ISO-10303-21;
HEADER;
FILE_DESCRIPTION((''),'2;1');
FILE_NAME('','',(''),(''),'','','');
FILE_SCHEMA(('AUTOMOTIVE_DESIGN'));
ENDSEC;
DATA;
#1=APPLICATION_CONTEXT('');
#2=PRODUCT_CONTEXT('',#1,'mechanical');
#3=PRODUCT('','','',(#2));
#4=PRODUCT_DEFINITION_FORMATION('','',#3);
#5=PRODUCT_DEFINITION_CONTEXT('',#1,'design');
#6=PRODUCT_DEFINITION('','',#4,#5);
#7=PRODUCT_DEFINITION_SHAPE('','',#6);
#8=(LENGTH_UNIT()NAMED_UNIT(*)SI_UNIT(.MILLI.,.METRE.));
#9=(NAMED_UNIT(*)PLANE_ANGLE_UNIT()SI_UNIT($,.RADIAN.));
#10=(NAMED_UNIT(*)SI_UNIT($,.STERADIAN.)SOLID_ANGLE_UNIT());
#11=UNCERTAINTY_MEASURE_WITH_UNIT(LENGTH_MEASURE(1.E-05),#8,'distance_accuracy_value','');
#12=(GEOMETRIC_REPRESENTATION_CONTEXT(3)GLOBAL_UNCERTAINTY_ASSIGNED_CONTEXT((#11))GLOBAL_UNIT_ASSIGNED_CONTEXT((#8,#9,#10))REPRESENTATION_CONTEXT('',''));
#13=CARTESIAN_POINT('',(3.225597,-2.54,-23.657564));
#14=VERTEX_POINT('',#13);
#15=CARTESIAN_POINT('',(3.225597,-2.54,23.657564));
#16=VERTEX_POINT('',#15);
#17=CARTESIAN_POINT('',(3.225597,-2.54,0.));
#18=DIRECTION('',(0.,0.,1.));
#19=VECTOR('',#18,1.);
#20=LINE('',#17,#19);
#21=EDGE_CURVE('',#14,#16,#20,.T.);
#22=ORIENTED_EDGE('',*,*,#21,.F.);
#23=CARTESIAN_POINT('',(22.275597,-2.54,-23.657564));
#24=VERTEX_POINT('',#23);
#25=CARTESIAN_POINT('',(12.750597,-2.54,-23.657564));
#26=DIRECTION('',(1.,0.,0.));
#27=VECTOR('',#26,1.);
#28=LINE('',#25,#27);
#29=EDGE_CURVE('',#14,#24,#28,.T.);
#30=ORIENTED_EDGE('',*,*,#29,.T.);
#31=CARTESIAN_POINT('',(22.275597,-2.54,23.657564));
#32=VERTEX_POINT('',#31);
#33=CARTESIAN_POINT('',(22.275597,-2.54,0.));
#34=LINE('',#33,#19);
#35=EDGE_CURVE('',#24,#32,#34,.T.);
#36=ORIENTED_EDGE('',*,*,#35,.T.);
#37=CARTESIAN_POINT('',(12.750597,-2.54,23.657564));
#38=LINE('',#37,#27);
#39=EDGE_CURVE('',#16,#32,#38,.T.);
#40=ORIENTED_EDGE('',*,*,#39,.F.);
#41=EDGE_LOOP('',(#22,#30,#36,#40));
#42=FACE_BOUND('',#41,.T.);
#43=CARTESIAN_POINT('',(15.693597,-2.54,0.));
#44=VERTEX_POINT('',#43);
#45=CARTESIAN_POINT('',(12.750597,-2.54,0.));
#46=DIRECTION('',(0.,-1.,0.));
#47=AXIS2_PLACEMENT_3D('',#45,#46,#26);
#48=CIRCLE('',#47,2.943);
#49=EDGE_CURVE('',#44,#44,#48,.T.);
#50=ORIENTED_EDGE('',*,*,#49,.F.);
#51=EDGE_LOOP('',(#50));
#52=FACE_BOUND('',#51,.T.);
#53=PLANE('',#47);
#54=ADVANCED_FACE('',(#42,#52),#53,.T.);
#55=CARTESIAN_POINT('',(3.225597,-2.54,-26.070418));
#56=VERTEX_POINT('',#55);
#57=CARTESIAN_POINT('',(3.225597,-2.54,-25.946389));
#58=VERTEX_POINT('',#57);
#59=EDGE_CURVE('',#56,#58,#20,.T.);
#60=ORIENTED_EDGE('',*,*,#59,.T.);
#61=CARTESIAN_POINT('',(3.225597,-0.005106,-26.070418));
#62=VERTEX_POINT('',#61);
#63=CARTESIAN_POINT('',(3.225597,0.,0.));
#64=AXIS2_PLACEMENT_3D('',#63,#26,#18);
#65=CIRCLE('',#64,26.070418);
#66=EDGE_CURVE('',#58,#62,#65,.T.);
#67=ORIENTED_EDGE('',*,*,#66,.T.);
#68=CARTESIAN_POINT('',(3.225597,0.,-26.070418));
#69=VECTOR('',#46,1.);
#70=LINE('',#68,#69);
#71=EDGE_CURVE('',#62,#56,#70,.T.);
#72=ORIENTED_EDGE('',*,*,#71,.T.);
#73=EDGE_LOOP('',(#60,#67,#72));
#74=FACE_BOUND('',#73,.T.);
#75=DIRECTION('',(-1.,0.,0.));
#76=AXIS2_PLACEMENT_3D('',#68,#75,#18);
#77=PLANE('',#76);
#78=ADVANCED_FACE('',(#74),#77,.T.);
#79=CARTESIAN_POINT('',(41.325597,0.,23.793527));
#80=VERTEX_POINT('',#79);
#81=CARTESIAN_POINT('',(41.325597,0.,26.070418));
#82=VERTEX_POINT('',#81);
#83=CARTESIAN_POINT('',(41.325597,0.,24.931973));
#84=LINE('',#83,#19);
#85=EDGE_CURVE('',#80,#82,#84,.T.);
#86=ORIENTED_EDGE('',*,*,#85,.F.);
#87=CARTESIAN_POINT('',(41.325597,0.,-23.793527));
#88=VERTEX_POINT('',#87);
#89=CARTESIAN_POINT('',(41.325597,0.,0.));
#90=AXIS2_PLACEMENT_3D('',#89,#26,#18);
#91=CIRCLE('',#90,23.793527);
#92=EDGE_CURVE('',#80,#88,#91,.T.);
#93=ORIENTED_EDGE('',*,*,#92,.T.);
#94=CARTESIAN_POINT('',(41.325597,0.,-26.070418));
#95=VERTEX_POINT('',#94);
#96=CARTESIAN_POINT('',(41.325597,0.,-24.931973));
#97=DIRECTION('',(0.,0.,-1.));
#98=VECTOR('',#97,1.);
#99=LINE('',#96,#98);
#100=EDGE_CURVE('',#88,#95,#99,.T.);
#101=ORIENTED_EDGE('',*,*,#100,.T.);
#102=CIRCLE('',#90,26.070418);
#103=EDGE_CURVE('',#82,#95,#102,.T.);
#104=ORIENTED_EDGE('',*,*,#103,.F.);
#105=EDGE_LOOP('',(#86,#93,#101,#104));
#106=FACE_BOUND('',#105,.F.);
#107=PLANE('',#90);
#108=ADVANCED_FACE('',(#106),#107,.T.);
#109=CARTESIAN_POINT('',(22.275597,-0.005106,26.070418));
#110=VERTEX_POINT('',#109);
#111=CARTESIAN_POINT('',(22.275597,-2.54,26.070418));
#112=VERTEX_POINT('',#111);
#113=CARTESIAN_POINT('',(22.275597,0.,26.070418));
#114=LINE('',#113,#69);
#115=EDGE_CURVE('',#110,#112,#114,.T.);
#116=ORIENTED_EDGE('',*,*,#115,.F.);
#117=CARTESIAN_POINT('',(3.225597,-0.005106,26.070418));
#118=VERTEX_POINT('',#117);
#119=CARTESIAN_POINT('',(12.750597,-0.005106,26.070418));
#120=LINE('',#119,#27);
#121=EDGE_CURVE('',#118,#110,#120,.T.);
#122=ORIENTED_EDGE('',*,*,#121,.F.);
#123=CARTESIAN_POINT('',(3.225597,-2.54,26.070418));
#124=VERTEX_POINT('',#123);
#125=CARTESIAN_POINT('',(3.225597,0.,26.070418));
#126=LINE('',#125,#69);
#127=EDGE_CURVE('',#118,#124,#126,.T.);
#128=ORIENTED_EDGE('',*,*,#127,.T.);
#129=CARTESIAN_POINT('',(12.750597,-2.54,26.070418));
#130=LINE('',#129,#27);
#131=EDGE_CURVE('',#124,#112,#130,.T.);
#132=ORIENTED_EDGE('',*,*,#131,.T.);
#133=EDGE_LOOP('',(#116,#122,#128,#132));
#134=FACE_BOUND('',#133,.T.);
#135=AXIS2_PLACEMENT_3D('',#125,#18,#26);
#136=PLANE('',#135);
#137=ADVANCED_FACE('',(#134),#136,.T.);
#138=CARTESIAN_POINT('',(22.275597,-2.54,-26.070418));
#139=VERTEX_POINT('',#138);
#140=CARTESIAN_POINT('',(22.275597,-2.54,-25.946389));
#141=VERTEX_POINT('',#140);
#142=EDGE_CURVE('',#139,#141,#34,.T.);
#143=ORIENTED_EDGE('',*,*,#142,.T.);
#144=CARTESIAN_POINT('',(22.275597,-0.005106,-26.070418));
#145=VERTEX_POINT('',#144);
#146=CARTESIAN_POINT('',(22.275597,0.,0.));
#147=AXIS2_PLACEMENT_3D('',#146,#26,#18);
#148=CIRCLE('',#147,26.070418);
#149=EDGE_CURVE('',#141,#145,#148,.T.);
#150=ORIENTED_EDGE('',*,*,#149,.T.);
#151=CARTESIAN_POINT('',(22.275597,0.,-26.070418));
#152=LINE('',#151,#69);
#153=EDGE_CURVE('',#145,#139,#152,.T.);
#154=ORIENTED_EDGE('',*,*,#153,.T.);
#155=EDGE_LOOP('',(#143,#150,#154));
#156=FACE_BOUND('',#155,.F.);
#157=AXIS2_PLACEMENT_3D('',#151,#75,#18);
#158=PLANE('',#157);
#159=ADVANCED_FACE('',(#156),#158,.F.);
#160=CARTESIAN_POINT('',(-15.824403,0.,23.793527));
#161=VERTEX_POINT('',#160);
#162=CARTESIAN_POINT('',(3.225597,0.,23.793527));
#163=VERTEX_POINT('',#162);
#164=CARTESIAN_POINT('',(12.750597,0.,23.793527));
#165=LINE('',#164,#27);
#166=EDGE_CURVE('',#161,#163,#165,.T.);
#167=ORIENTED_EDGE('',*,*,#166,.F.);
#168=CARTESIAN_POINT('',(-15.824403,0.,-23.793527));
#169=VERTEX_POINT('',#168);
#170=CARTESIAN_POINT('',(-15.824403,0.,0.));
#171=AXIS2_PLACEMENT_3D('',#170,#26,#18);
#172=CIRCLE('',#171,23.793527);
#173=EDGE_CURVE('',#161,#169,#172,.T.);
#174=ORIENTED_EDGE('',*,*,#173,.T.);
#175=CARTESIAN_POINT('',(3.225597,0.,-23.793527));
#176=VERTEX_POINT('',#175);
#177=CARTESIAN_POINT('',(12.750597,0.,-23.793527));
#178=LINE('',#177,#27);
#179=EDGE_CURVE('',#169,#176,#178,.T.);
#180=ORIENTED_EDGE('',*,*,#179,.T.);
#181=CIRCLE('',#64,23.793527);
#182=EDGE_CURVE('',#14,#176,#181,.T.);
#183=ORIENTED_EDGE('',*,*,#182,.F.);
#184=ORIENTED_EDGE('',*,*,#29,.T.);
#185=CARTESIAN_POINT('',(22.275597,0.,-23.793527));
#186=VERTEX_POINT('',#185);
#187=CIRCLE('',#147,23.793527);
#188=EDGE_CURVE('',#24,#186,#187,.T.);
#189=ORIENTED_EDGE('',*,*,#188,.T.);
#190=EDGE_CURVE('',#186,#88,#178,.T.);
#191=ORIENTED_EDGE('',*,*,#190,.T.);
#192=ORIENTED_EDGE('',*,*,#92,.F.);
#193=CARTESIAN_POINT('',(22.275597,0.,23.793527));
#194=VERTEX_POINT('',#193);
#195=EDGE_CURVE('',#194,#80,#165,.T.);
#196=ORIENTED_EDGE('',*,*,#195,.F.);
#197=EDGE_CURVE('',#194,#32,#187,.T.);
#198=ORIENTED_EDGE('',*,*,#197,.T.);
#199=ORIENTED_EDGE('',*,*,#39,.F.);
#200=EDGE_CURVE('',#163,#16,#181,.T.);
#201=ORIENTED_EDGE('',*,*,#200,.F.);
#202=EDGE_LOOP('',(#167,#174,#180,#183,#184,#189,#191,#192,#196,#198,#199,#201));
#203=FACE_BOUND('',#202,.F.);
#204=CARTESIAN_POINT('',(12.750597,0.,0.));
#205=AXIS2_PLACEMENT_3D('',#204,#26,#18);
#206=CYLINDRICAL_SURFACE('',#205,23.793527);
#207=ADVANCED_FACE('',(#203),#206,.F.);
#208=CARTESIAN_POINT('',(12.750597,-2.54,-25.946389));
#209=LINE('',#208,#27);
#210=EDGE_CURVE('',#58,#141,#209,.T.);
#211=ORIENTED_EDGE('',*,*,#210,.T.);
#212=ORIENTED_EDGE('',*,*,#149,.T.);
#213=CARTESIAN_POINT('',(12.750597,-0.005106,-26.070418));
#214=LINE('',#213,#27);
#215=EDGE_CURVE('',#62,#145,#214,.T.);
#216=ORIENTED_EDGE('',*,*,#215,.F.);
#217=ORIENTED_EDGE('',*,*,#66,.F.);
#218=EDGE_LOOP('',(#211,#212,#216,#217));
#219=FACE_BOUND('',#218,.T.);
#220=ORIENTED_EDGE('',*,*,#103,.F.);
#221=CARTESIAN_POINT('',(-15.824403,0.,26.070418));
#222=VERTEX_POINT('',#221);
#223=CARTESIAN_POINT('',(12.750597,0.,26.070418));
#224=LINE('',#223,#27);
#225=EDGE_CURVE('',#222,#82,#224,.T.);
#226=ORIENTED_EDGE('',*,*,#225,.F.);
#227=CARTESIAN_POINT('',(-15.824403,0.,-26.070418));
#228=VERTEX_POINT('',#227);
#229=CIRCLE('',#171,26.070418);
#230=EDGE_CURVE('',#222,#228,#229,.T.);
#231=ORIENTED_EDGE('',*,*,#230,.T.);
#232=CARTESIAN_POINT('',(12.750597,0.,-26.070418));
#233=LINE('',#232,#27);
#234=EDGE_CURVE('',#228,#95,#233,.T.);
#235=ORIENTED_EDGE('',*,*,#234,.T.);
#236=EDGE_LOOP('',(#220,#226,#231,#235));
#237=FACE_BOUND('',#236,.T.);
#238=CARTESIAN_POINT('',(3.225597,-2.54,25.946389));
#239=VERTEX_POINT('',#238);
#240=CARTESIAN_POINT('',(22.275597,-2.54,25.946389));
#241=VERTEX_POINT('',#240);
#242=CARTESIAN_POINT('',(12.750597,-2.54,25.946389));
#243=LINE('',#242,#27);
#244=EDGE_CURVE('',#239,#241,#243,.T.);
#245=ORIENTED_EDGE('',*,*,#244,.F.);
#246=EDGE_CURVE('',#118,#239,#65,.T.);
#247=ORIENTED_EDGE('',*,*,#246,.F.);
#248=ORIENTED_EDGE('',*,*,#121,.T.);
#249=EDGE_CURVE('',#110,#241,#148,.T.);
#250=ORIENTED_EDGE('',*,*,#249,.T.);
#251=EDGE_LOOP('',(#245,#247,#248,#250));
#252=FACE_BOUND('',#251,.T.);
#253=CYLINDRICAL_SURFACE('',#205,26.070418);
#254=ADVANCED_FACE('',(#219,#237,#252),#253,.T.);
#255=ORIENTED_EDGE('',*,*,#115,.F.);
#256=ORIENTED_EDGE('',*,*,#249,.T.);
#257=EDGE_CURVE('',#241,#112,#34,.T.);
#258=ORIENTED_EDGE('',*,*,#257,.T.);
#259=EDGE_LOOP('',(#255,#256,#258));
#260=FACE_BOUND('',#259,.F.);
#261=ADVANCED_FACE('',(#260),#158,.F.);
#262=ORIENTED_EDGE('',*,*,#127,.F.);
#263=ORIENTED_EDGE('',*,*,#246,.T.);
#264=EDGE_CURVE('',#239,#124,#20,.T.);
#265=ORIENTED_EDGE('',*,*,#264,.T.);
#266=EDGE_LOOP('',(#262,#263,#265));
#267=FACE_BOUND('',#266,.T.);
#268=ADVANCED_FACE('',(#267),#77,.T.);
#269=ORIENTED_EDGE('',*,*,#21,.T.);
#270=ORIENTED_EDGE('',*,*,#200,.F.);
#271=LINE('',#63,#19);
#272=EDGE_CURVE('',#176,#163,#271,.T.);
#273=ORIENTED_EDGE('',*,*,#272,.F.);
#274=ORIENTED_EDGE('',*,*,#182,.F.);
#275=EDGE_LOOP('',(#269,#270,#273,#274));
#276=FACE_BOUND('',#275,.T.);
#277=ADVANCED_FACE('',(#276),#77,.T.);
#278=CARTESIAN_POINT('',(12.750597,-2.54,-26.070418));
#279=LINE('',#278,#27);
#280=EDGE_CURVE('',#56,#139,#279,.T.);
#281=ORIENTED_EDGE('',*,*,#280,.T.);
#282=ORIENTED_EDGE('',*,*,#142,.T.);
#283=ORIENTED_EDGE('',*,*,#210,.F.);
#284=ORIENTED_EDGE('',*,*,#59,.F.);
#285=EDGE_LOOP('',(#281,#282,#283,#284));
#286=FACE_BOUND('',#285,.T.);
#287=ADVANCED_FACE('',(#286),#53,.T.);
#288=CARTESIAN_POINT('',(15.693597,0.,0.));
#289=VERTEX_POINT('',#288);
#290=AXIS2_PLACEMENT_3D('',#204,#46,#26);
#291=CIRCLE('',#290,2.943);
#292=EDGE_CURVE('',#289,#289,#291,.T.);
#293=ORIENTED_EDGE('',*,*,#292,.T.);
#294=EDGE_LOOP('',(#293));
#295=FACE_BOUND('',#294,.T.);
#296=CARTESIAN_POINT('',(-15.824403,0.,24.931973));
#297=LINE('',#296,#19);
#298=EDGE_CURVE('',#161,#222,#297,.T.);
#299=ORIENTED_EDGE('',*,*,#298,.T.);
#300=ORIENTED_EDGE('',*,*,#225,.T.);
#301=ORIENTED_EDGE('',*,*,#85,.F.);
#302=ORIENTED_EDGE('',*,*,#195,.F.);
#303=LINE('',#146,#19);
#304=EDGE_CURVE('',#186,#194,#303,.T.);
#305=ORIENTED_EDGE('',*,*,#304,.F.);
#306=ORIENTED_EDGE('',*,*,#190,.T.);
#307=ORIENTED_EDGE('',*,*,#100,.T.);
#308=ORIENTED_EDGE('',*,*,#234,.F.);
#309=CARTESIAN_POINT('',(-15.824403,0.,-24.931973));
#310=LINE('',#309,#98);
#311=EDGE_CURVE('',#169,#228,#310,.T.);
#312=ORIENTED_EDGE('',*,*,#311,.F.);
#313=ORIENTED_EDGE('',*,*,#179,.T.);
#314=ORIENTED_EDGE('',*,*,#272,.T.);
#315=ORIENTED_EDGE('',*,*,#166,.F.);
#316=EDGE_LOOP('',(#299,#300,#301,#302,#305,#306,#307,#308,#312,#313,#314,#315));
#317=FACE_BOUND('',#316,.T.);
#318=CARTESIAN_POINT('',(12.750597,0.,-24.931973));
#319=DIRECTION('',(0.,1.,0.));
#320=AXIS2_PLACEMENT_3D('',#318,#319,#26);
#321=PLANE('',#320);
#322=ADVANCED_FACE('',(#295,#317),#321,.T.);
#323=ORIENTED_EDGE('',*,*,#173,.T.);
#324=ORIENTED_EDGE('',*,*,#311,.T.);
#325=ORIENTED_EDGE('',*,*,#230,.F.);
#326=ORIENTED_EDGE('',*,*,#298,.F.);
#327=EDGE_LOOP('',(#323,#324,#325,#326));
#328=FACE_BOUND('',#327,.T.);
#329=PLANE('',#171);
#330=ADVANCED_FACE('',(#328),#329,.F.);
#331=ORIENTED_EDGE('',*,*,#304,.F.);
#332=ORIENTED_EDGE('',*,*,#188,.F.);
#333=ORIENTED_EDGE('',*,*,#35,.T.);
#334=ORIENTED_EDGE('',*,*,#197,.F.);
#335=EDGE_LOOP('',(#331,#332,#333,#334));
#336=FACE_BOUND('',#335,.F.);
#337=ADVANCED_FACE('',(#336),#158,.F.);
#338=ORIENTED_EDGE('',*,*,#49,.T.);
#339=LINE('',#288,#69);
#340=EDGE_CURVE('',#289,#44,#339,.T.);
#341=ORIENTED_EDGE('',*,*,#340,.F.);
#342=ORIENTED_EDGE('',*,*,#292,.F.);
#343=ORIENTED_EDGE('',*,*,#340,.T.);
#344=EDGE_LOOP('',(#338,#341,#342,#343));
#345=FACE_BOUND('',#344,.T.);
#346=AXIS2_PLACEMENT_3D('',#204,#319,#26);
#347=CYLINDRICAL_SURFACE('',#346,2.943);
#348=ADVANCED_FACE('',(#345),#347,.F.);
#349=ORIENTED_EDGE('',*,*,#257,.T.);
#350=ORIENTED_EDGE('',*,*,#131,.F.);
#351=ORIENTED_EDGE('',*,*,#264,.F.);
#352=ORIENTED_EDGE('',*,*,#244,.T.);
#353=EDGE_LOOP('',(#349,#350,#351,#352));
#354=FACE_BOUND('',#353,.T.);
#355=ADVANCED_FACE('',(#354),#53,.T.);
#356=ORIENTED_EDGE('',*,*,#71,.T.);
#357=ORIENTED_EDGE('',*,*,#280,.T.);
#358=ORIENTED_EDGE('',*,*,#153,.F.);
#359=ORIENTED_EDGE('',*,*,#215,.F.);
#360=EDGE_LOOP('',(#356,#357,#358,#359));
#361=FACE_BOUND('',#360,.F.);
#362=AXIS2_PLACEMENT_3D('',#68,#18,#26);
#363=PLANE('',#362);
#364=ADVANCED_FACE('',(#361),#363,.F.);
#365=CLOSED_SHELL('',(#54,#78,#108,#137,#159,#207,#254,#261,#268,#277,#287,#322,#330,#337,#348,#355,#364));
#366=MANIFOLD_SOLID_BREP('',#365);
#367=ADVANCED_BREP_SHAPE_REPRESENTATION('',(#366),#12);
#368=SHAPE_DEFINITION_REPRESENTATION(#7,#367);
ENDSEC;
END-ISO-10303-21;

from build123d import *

# Parameters (mm, degrees)
F0_W     = 57.15
F0_H     = 2.276891
F1_ANGLE = 180
F2_W     = 19.05
F2_H     = 52.140836
F2_R     = 2.943
F3_DEPTH = 2.54


with BuildPart() as f1:
    # F0 (on Front) → F1 (revolve)
    with BuildSketch(Plane.XZ):
        with Locations((12.750597, 24.931973)):
            Rectangle(F0_W, F0_H)
    revolve(axis=Axis((12.864442, 0, 0), (1, 0, 0)), revolution_arc=F1_ANGLE)

    # F2 (on Front) → F3 (join)
    with BuildSketch(Plane.XZ):
        with Locations((12.750597, 0)):
            Rectangle(F2_W, F2_H)
        with Locations((12.750597, 0)):
            Circle(F2_R, mode=Mode.SUBTRACT)
    extrude(amount=F3_DEPTH)


solid = f1.part
